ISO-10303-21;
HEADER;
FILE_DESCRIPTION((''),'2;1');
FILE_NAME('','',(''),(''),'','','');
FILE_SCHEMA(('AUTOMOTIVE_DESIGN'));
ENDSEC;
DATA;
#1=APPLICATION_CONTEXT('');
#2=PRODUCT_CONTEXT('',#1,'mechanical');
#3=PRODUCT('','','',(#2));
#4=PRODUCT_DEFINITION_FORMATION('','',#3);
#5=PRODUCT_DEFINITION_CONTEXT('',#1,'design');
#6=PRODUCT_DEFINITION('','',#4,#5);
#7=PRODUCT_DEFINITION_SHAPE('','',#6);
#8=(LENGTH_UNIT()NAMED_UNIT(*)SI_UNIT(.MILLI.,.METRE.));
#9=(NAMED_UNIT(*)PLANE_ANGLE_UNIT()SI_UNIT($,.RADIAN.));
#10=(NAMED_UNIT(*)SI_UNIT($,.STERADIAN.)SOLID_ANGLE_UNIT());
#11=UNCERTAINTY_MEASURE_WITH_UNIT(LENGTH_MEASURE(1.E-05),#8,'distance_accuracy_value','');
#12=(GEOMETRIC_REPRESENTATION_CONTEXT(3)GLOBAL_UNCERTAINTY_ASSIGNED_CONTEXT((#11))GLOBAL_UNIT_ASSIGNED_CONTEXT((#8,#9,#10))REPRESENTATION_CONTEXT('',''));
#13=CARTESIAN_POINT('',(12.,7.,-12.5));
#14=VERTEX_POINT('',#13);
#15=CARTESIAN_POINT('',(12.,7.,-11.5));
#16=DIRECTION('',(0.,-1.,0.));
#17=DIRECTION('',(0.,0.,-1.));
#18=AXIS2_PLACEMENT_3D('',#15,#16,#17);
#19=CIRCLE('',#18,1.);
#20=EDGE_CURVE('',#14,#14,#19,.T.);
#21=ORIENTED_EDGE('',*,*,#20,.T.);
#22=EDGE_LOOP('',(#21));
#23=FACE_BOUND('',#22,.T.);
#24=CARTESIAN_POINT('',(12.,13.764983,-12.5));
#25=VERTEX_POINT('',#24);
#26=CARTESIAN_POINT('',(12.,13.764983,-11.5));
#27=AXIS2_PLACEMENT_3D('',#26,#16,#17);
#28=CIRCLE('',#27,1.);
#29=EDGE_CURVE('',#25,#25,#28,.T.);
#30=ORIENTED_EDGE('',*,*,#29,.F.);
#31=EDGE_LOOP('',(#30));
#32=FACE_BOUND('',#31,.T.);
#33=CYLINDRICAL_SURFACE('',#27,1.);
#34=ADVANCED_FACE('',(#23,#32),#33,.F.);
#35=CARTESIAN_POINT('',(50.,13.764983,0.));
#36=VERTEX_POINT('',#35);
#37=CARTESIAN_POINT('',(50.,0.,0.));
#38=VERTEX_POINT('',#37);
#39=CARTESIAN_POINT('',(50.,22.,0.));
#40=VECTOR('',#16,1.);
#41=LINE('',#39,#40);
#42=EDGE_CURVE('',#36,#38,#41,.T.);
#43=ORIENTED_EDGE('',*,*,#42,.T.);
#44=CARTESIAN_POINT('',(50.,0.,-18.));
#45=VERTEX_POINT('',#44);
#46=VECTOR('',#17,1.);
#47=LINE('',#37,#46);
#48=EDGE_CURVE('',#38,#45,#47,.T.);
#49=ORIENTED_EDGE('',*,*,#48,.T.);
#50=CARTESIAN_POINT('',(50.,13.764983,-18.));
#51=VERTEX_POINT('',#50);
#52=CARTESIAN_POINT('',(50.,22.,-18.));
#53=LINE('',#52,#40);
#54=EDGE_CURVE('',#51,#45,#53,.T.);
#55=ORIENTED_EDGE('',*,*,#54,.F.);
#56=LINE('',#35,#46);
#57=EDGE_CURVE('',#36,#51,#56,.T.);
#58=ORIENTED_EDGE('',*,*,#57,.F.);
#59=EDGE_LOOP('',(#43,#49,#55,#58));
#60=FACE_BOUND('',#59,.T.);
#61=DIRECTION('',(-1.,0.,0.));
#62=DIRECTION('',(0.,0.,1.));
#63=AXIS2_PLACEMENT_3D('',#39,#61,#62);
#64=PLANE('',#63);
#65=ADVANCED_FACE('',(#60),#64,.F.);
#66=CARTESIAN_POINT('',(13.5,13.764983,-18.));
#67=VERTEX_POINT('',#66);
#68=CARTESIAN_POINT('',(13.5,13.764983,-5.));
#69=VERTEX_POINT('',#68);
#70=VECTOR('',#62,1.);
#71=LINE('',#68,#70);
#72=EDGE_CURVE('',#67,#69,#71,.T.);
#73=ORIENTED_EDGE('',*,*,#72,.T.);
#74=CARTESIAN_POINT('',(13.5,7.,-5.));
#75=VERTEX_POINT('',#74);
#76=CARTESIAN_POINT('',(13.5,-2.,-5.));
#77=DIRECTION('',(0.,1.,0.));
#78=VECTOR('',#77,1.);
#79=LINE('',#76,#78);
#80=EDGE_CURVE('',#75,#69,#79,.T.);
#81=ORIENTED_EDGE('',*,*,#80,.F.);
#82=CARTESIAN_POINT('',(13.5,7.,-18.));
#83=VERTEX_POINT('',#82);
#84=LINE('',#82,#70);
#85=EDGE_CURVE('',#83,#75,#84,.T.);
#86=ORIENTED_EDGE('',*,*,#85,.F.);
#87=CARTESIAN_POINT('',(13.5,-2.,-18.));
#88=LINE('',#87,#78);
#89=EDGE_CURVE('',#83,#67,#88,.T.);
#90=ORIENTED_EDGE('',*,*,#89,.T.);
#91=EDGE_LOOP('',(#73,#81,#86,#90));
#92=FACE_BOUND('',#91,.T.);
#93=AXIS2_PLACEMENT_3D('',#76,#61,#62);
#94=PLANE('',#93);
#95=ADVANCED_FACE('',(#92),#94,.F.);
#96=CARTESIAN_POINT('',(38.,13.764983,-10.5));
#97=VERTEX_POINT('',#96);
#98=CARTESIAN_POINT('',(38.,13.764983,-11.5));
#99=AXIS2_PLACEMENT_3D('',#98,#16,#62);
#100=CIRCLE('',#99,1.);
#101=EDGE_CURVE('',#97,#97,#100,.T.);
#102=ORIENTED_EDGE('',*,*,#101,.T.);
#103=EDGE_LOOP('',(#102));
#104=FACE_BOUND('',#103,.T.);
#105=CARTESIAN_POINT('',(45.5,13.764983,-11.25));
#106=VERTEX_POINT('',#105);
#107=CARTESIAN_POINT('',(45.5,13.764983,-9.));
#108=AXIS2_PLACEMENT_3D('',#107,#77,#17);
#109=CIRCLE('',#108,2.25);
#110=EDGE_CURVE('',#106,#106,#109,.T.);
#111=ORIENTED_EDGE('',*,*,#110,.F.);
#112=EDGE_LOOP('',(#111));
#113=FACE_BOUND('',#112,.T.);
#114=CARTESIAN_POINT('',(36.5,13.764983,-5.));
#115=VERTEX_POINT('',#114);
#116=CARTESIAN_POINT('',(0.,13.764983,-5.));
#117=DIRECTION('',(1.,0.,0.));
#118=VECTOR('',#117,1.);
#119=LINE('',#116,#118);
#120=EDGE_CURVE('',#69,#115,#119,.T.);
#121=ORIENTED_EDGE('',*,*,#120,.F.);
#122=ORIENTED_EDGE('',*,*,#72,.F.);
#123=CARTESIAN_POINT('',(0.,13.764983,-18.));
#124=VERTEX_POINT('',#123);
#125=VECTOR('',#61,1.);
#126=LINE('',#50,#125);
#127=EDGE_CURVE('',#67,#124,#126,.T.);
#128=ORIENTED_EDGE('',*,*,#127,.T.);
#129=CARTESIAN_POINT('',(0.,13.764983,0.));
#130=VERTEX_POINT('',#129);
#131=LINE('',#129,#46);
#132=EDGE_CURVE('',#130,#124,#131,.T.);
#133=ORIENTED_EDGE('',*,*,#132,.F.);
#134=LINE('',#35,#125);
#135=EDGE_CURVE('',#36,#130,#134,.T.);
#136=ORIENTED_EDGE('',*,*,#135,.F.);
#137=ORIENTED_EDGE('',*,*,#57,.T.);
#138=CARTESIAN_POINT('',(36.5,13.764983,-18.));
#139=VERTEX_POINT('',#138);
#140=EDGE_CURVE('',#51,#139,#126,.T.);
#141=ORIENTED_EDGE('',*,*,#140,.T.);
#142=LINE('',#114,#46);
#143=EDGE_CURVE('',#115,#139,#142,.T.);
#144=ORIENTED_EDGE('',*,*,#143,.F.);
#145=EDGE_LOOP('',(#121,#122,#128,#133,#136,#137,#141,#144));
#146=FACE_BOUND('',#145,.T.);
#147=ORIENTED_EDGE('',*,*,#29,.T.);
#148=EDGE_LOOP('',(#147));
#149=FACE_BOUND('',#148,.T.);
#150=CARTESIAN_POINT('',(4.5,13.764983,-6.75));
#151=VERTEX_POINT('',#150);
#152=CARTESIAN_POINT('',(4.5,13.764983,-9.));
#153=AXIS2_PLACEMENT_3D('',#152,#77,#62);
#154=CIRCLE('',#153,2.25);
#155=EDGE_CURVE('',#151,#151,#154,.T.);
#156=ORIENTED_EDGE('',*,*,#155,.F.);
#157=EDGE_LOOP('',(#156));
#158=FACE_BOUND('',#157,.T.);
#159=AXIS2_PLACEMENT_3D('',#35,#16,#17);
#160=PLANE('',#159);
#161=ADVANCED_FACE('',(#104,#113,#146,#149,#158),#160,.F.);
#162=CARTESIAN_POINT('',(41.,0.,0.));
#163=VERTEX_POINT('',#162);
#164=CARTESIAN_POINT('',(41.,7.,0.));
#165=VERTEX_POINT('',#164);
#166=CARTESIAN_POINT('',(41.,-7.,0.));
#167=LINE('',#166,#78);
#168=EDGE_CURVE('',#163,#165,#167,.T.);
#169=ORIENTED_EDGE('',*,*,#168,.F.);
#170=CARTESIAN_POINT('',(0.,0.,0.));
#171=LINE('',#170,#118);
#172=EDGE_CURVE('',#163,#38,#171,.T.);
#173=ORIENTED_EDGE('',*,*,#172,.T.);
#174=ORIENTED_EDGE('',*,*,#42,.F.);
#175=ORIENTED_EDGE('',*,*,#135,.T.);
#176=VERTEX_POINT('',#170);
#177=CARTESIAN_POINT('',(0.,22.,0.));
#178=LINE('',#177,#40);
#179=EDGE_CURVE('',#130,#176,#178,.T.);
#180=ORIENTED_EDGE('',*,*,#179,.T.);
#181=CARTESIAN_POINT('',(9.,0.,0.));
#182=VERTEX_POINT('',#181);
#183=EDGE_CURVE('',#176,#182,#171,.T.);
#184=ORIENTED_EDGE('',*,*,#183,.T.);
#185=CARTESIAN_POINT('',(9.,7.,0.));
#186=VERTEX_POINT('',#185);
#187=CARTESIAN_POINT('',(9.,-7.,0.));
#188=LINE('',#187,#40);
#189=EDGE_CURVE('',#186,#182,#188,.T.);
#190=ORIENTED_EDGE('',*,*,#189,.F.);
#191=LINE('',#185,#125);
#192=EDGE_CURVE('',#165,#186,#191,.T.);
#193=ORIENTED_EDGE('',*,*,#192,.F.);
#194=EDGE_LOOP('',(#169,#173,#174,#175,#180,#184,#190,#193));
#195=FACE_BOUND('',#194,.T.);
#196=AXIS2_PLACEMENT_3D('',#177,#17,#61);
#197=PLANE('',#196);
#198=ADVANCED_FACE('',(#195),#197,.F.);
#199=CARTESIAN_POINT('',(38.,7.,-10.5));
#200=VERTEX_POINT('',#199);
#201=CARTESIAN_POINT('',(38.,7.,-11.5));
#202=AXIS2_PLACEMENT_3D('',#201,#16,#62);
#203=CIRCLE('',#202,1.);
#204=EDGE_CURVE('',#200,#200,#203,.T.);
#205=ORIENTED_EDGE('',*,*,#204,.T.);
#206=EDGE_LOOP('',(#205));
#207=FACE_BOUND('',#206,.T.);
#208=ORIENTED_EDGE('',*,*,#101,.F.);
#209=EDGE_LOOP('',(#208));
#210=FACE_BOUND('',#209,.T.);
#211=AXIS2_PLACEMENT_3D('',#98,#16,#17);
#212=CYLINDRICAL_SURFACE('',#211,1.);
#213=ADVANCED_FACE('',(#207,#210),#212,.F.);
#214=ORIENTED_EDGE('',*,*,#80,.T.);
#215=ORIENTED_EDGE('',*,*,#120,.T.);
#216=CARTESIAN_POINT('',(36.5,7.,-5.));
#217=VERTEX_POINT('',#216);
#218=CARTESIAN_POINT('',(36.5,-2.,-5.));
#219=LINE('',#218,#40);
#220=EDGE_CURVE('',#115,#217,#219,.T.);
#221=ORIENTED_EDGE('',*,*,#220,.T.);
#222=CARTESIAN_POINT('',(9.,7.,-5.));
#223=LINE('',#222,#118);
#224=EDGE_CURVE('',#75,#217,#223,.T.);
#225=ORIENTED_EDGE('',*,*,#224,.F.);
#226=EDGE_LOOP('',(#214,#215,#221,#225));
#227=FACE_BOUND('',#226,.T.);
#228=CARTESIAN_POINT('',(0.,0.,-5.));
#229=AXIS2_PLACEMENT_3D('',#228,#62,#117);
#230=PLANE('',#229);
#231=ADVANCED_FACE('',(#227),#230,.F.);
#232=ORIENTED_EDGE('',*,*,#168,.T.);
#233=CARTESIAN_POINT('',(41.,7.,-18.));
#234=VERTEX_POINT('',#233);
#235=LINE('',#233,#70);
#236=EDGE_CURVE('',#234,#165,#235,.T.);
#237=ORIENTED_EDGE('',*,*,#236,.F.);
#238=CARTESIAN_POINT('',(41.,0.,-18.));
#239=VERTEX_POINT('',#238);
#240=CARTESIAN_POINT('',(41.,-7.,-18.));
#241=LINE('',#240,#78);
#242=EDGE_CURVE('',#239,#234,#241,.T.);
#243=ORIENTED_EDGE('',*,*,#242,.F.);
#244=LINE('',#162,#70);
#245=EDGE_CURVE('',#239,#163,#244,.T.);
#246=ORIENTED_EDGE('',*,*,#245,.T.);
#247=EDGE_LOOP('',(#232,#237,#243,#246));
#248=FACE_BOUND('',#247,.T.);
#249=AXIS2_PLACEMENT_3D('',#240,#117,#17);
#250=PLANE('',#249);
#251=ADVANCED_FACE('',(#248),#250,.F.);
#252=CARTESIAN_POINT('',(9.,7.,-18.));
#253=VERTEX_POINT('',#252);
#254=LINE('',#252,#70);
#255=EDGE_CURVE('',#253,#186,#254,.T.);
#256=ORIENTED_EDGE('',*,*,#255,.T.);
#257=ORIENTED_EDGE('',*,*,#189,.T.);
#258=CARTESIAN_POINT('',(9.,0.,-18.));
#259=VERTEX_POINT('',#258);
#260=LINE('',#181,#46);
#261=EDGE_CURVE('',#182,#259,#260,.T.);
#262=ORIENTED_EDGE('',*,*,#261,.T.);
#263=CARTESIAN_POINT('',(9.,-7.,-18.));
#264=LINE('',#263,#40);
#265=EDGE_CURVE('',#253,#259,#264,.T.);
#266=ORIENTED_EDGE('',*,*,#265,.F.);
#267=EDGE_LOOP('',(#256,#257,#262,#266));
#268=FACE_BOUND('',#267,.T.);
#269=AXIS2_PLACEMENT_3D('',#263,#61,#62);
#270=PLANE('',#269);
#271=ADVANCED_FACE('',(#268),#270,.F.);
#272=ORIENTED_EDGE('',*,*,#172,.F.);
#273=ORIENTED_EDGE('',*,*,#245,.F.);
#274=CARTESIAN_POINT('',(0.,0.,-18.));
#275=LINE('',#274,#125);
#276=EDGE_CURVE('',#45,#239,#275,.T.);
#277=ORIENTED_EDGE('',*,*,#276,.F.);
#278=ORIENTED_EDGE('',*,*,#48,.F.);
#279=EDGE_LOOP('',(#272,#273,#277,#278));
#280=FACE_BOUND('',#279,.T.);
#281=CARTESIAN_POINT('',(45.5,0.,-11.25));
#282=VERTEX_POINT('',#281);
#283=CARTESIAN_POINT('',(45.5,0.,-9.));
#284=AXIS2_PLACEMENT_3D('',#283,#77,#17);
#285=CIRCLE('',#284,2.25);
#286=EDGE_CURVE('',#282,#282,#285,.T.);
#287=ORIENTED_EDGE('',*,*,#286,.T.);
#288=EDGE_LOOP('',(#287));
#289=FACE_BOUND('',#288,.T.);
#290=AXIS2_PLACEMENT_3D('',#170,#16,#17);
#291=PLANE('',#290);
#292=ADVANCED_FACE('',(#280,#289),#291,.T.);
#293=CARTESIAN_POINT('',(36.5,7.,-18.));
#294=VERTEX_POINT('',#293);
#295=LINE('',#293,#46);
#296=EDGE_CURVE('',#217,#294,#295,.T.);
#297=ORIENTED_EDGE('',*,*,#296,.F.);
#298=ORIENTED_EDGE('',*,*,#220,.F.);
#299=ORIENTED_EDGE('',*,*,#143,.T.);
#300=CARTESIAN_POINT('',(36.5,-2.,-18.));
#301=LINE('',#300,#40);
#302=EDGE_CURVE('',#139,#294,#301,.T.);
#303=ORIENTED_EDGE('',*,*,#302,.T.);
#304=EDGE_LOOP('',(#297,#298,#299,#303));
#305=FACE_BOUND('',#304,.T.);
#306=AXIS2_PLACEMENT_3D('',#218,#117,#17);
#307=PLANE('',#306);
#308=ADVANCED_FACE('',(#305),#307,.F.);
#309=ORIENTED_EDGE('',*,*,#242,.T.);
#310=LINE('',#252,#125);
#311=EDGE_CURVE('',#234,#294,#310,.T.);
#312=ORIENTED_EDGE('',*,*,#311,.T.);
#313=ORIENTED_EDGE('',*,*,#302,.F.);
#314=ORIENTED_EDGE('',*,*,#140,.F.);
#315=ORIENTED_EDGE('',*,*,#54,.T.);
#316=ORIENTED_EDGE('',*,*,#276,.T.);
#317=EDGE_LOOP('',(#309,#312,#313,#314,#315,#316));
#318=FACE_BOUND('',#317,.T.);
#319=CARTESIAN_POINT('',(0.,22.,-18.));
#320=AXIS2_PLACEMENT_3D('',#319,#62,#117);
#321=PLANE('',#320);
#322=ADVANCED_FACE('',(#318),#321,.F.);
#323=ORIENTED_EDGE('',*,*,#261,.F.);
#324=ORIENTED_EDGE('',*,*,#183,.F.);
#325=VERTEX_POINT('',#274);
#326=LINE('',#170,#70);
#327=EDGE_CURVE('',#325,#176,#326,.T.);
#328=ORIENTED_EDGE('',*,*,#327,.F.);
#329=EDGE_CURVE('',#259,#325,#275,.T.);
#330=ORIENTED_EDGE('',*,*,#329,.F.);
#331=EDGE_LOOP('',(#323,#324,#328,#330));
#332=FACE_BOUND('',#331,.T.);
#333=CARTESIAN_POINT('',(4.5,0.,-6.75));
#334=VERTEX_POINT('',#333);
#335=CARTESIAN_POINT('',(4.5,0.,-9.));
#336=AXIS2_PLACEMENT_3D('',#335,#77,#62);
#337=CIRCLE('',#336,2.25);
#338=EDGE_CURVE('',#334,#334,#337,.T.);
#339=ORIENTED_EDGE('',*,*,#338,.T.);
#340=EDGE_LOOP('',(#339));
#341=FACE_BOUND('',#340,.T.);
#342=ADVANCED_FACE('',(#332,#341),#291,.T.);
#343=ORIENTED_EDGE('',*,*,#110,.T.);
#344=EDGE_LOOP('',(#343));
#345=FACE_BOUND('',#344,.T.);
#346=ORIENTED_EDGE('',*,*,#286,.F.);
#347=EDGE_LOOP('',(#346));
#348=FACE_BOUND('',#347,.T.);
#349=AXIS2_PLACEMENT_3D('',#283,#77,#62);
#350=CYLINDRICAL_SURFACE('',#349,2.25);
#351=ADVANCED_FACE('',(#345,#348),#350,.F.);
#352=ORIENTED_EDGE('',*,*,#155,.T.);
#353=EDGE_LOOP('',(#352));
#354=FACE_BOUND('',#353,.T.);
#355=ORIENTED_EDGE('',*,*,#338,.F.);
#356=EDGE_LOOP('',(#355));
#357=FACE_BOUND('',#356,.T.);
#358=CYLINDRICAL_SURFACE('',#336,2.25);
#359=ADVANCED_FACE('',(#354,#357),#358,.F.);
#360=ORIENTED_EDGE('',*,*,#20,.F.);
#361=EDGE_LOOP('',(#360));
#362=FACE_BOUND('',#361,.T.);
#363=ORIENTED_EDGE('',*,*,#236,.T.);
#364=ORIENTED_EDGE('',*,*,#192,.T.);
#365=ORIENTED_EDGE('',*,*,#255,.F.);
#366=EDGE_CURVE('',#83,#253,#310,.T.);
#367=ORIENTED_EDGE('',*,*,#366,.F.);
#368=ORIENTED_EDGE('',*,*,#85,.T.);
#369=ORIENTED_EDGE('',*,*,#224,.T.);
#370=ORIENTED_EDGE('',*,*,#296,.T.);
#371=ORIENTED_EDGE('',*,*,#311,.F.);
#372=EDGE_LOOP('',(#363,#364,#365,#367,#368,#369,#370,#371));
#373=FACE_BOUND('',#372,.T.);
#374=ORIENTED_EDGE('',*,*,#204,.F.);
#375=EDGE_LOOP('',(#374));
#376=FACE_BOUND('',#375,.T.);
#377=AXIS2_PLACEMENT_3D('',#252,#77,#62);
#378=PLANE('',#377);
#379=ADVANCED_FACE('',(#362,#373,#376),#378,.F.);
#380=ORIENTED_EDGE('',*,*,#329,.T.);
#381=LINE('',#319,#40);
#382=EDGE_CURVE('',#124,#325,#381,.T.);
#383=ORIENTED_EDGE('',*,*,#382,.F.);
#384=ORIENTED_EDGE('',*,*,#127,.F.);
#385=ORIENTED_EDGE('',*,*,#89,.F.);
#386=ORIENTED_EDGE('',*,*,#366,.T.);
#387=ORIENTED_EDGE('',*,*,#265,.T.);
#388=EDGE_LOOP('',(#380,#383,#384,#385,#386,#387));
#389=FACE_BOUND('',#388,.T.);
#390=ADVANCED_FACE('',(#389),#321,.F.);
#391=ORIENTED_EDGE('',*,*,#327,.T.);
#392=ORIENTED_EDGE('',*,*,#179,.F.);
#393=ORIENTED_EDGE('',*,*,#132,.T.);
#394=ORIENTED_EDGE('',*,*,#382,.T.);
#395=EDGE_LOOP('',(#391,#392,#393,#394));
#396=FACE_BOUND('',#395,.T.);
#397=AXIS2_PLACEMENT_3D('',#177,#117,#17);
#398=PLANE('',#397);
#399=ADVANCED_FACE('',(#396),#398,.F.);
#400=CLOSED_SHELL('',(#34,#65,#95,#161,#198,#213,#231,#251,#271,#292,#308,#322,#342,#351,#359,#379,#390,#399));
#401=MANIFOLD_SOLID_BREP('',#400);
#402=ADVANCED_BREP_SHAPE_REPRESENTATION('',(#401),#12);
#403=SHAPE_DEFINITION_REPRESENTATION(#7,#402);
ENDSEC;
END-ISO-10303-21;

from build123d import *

# Parameters (mm, degrees)
SKETCH1_W           = 50
SKETCH1_H           = 18
BOSS_EXTRUDE2_DEPTH = 22
SKETCH4_W           = 32
SKETCH4_H           = 14
CUT_EXTRUDE1_DEPTH  = 58.515215378
SKETCH5_W           = 23
SKETCH5_H           = 18
CUT_EXTRUDE3_DEPTH  = 13
SKETCH7_W           = 50
SKETCH7_H           = 8.235017036
CUT_EXTRUDE4_DEPTH  = 58.515215378
SKETCH9_R           = 1
CUT_EXTRUDE6_DEPTH  = 54.600373133
SKETCH10_R          = 2.25
CUT_EXTRUDE7_DEPTH  = 55.895125066


with BuildPart() as part:
    # Sketch1 → Boss-Extrude2 (new body)
    with BuildSketch(Plane(origin=(0, 0, 0), x_dir=(1, 0, 0), z_dir=(0, 1, 0))):
        with Locations((25, 9)):
            Rectangle(SKETCH1_W, SKETCH1_H)
    extrude(amount=BOSS_EXTRUDE2_DEPTH)

    # Sketch4 → Cut-Extrude1 (cut, through all)
    with BuildSketch(Plane.XY):
        with Locations((25, 0)):
            Rectangle(SKETCH4_W, SKETCH4_H)
    extrude(amount=-CUT_EXTRUDE1_DEPTH, mode=Mode.SUBTRACT)

    # Sketch5 → Cut-Extrude3 (cut)
    with BuildSketch(Plane(origin=(0, 0, -18), x_dir=(-1, 0, 0), z_dir=(0, 0, -1))):
        with Locations((-25, 7)):
            Rectangle(SKETCH5_W, SKETCH5_H)
    extrude(amount=-CUT_EXTRUDE3_DEPTH, mode=Mode.SUBTRACT)

    # Sketch7 → Cut-Extrude4 (cut, through all)
    with BuildSketch(Plane(origin=(0, 0, -18), x_dir=(-1, 0, 0), z_dir=(0, 0, -1))):
        with Locations((-25, 17.882491482)):
            Rectangle(SKETCH7_W, SKETCH7_H)
    extrude(amount=-CUT_EXTRUDE4_DEPTH, mode=Mode.SUBTRACT)

    # Sketch9 → Cut-Extrude6 (cut, through all)
    with BuildSketch(Plane.XZ.offset(-7)):
        with Locations(Location((12, -11.5, 0), (0, 0, 270))):
            Circle(SKETCH9_R)
        with Locations(Location((38, -11.5, 0), (0, 0, 90))):
            Circle(SKETCH9_R)
    extrude(amount=-CUT_EXTRUDE6_DEPTH, mode=Mode.SUBTRACT)

    # Sketch10 → Cut-Extrude7 (cut, through all)
    with BuildSketch(Plane(origin=(0, 13.764982964, 0), x_dir=(1, 0, 0), z_dir=(0, 1, 0))):
        with Locations(Location((4.5, 9, 0), (0, 0, 270))):
            Circle(SKETCH10_R)
        with Locations(Location((45.5, 9, 0), (0, 0, 90))):
            Circle(SKETCH10_R)
    extrude(amount=-CUT_EXTRUDE7_DEPTH, mode=Mode.SUBTRACT)


solid = part.part
